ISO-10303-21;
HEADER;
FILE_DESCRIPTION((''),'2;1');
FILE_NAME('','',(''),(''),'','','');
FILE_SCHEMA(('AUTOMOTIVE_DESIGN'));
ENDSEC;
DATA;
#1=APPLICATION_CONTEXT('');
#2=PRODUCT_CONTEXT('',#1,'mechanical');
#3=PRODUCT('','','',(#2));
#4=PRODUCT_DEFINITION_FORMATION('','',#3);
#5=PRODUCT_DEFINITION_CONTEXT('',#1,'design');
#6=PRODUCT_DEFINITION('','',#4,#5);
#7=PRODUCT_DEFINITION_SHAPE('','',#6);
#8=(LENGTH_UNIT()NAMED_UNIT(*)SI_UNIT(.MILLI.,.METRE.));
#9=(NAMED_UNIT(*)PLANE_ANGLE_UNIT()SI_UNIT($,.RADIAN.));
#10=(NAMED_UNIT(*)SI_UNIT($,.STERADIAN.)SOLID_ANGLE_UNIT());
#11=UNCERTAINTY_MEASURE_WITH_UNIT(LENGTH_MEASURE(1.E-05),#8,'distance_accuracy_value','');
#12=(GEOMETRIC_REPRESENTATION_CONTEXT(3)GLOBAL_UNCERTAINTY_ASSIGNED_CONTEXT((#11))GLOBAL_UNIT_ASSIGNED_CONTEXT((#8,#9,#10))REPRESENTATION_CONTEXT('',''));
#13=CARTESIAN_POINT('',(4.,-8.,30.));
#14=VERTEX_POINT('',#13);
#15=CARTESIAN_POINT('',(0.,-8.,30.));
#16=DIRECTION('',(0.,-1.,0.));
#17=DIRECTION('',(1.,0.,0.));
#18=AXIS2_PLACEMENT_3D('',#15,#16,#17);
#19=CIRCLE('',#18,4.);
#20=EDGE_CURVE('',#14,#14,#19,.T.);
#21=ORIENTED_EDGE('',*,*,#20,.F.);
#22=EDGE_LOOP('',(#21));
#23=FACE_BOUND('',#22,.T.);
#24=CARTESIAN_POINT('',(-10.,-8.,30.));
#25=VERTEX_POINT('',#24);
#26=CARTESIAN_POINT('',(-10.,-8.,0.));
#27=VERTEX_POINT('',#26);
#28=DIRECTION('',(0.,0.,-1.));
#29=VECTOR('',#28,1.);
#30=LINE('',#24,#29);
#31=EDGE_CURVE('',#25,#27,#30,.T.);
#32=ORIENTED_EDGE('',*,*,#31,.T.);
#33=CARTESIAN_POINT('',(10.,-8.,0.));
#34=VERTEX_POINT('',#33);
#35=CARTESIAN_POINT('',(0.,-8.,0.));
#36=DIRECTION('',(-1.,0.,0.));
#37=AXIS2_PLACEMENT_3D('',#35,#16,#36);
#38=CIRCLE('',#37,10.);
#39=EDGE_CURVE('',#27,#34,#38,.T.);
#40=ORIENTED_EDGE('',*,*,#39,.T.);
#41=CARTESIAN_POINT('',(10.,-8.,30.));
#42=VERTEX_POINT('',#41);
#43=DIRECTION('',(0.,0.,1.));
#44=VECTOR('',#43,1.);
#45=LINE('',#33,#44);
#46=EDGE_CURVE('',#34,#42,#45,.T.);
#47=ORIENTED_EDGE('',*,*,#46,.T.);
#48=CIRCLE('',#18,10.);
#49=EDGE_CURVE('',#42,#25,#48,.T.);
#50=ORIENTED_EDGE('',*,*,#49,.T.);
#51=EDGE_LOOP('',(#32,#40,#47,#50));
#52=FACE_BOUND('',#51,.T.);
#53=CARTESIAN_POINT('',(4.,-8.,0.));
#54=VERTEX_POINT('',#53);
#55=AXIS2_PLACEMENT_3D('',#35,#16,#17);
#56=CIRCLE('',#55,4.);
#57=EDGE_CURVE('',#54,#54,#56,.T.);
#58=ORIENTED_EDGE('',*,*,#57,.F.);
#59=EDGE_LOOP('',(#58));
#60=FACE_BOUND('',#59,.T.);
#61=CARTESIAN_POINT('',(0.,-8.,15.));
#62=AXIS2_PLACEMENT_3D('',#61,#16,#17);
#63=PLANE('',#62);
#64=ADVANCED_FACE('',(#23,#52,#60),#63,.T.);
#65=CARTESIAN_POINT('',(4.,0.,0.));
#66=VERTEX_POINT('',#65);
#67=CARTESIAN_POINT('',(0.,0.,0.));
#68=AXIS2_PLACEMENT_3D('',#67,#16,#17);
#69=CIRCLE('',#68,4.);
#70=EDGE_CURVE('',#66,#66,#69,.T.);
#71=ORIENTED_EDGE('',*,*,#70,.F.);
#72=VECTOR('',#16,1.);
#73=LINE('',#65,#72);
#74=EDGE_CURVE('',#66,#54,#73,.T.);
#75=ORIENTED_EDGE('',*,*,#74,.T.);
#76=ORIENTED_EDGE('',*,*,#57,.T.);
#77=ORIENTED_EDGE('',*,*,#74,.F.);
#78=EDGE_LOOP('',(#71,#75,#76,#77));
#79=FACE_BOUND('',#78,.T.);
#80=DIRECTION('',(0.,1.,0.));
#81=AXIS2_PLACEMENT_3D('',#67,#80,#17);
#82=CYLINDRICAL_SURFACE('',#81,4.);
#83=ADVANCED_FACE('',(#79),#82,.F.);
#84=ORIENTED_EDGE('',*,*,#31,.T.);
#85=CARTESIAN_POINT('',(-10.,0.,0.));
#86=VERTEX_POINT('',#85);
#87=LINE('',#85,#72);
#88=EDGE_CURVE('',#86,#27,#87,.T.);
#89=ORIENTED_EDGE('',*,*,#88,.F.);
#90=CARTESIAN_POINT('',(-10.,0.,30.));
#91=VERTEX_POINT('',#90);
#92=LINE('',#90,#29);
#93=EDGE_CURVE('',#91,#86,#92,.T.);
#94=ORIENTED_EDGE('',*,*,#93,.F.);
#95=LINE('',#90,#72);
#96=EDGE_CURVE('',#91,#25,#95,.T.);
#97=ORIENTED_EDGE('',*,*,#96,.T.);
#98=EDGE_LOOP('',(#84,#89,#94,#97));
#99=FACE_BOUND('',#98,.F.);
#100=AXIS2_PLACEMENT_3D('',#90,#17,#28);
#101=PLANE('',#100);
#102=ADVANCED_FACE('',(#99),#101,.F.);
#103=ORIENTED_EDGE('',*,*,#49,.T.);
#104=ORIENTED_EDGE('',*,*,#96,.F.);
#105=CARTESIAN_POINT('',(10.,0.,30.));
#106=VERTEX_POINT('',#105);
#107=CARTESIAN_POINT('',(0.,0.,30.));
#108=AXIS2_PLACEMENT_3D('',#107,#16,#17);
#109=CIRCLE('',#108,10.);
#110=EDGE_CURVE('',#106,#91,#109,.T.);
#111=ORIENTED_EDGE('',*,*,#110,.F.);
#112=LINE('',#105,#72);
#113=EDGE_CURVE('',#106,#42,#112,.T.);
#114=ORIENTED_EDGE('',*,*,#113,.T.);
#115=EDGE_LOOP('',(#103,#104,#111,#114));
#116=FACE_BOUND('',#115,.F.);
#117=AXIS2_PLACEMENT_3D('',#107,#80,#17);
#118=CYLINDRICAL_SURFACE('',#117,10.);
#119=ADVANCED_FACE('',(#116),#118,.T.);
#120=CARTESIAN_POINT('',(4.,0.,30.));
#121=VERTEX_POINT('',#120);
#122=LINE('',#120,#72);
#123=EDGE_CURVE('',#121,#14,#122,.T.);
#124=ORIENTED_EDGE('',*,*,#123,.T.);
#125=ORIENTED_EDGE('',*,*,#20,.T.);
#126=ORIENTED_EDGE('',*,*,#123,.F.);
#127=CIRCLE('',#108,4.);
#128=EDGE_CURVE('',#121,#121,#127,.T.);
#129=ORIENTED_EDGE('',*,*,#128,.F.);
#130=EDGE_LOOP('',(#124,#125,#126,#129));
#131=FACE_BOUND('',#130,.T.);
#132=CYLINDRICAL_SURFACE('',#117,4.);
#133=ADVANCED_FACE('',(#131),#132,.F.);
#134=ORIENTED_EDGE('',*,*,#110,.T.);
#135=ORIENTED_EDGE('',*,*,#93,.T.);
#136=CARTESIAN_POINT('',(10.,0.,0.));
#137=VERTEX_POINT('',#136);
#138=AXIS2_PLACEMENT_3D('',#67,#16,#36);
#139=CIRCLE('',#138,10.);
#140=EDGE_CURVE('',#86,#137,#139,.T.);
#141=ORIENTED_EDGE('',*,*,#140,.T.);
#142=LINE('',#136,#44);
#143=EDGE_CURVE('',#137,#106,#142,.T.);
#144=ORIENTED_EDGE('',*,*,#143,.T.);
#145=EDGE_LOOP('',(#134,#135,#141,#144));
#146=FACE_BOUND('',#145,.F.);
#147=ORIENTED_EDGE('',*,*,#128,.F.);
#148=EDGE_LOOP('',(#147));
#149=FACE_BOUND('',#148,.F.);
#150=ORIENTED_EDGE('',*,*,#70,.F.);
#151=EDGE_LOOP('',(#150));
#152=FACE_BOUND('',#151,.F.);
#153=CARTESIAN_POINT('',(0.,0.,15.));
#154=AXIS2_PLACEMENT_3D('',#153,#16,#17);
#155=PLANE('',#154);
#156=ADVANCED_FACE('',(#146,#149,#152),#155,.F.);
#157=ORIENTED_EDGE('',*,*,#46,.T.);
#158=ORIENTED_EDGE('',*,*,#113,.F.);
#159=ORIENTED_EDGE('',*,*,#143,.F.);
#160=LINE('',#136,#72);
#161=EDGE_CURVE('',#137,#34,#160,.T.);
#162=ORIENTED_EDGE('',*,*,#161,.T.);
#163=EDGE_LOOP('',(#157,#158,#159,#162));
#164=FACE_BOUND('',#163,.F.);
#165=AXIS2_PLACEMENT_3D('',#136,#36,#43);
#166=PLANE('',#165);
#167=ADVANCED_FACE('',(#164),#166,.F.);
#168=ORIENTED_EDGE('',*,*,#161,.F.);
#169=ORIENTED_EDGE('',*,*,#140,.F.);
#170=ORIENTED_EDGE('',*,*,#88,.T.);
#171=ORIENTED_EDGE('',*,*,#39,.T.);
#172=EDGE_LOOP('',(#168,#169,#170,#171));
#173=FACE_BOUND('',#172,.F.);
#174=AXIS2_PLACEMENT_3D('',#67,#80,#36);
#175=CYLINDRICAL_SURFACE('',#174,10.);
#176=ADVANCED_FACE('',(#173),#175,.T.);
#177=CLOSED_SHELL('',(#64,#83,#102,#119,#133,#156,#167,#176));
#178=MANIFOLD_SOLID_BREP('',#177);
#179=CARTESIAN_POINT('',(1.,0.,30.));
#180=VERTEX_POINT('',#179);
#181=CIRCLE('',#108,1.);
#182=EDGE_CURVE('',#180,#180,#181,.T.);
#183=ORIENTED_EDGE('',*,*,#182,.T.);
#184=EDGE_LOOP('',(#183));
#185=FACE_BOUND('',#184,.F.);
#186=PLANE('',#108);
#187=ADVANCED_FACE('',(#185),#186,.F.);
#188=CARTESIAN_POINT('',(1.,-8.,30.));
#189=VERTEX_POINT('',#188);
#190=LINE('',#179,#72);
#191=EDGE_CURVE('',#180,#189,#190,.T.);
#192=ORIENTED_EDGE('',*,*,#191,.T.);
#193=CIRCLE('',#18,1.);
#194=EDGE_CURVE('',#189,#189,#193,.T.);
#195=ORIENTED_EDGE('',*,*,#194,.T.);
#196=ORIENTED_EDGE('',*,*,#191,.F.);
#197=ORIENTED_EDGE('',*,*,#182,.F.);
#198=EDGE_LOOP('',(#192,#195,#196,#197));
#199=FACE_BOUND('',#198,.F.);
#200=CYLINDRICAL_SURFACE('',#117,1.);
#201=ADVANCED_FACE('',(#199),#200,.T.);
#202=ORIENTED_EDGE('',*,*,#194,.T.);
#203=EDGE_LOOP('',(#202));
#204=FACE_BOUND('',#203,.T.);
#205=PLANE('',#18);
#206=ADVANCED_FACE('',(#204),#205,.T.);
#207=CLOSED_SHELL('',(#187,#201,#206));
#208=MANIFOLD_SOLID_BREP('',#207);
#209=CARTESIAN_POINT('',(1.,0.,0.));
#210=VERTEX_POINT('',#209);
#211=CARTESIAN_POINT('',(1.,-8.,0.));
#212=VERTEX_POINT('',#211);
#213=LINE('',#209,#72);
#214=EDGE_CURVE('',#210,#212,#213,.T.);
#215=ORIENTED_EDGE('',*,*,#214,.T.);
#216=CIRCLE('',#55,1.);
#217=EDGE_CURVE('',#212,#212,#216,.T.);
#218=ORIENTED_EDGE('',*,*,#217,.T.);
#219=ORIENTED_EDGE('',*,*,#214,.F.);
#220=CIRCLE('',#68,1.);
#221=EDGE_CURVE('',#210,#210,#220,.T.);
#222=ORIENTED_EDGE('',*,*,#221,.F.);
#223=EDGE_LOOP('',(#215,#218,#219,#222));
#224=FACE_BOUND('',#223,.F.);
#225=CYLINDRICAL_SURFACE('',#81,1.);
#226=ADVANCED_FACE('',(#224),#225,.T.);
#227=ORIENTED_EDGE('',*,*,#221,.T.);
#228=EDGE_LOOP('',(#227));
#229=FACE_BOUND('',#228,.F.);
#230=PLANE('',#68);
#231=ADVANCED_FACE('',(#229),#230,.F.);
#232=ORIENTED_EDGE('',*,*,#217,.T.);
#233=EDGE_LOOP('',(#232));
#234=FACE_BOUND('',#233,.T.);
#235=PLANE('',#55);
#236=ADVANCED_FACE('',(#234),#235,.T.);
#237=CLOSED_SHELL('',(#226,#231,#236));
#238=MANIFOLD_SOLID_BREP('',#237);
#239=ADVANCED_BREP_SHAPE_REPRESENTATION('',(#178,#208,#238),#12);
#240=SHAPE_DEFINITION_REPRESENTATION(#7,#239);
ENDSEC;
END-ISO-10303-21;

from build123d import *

# Parameters (mm, degrees)
F0_R     = 4
F1_DEPTH = 8
F2_R     = 1
F3_DEPTH = 8


with BuildPart() as f1:
    # F0 (on Front) → F1 (new body)
    with BuildSketch(Plane.XZ):
        with BuildLine():
            Line((-10, 30), (-10, 0))
            ThreePointArc((-10, 0), (0, -10), (10, 0))
            Line((10, 0), (10, 30))
            ThreePointArc((10, 30), (0, 40), (-10, 30))
        make_face()
        Circle(F0_R, mode=Mode.SUBTRACT)
        with Locations((0, 30)):
            Circle(F0_R, mode=Mode.SUBTRACT)
    extrude(amount=F1_DEPTH)


with BuildPart() as f3:
    # F2 (on Front) → F3 (new body)
    with BuildSketch(Plane.XZ):
        with Locations((0, 30)):
            Circle(F2_R)
        Circle(F2_R)
    extrude(amount=F3_DEPTH)


solid = Compound([f1.part, f3.part])
